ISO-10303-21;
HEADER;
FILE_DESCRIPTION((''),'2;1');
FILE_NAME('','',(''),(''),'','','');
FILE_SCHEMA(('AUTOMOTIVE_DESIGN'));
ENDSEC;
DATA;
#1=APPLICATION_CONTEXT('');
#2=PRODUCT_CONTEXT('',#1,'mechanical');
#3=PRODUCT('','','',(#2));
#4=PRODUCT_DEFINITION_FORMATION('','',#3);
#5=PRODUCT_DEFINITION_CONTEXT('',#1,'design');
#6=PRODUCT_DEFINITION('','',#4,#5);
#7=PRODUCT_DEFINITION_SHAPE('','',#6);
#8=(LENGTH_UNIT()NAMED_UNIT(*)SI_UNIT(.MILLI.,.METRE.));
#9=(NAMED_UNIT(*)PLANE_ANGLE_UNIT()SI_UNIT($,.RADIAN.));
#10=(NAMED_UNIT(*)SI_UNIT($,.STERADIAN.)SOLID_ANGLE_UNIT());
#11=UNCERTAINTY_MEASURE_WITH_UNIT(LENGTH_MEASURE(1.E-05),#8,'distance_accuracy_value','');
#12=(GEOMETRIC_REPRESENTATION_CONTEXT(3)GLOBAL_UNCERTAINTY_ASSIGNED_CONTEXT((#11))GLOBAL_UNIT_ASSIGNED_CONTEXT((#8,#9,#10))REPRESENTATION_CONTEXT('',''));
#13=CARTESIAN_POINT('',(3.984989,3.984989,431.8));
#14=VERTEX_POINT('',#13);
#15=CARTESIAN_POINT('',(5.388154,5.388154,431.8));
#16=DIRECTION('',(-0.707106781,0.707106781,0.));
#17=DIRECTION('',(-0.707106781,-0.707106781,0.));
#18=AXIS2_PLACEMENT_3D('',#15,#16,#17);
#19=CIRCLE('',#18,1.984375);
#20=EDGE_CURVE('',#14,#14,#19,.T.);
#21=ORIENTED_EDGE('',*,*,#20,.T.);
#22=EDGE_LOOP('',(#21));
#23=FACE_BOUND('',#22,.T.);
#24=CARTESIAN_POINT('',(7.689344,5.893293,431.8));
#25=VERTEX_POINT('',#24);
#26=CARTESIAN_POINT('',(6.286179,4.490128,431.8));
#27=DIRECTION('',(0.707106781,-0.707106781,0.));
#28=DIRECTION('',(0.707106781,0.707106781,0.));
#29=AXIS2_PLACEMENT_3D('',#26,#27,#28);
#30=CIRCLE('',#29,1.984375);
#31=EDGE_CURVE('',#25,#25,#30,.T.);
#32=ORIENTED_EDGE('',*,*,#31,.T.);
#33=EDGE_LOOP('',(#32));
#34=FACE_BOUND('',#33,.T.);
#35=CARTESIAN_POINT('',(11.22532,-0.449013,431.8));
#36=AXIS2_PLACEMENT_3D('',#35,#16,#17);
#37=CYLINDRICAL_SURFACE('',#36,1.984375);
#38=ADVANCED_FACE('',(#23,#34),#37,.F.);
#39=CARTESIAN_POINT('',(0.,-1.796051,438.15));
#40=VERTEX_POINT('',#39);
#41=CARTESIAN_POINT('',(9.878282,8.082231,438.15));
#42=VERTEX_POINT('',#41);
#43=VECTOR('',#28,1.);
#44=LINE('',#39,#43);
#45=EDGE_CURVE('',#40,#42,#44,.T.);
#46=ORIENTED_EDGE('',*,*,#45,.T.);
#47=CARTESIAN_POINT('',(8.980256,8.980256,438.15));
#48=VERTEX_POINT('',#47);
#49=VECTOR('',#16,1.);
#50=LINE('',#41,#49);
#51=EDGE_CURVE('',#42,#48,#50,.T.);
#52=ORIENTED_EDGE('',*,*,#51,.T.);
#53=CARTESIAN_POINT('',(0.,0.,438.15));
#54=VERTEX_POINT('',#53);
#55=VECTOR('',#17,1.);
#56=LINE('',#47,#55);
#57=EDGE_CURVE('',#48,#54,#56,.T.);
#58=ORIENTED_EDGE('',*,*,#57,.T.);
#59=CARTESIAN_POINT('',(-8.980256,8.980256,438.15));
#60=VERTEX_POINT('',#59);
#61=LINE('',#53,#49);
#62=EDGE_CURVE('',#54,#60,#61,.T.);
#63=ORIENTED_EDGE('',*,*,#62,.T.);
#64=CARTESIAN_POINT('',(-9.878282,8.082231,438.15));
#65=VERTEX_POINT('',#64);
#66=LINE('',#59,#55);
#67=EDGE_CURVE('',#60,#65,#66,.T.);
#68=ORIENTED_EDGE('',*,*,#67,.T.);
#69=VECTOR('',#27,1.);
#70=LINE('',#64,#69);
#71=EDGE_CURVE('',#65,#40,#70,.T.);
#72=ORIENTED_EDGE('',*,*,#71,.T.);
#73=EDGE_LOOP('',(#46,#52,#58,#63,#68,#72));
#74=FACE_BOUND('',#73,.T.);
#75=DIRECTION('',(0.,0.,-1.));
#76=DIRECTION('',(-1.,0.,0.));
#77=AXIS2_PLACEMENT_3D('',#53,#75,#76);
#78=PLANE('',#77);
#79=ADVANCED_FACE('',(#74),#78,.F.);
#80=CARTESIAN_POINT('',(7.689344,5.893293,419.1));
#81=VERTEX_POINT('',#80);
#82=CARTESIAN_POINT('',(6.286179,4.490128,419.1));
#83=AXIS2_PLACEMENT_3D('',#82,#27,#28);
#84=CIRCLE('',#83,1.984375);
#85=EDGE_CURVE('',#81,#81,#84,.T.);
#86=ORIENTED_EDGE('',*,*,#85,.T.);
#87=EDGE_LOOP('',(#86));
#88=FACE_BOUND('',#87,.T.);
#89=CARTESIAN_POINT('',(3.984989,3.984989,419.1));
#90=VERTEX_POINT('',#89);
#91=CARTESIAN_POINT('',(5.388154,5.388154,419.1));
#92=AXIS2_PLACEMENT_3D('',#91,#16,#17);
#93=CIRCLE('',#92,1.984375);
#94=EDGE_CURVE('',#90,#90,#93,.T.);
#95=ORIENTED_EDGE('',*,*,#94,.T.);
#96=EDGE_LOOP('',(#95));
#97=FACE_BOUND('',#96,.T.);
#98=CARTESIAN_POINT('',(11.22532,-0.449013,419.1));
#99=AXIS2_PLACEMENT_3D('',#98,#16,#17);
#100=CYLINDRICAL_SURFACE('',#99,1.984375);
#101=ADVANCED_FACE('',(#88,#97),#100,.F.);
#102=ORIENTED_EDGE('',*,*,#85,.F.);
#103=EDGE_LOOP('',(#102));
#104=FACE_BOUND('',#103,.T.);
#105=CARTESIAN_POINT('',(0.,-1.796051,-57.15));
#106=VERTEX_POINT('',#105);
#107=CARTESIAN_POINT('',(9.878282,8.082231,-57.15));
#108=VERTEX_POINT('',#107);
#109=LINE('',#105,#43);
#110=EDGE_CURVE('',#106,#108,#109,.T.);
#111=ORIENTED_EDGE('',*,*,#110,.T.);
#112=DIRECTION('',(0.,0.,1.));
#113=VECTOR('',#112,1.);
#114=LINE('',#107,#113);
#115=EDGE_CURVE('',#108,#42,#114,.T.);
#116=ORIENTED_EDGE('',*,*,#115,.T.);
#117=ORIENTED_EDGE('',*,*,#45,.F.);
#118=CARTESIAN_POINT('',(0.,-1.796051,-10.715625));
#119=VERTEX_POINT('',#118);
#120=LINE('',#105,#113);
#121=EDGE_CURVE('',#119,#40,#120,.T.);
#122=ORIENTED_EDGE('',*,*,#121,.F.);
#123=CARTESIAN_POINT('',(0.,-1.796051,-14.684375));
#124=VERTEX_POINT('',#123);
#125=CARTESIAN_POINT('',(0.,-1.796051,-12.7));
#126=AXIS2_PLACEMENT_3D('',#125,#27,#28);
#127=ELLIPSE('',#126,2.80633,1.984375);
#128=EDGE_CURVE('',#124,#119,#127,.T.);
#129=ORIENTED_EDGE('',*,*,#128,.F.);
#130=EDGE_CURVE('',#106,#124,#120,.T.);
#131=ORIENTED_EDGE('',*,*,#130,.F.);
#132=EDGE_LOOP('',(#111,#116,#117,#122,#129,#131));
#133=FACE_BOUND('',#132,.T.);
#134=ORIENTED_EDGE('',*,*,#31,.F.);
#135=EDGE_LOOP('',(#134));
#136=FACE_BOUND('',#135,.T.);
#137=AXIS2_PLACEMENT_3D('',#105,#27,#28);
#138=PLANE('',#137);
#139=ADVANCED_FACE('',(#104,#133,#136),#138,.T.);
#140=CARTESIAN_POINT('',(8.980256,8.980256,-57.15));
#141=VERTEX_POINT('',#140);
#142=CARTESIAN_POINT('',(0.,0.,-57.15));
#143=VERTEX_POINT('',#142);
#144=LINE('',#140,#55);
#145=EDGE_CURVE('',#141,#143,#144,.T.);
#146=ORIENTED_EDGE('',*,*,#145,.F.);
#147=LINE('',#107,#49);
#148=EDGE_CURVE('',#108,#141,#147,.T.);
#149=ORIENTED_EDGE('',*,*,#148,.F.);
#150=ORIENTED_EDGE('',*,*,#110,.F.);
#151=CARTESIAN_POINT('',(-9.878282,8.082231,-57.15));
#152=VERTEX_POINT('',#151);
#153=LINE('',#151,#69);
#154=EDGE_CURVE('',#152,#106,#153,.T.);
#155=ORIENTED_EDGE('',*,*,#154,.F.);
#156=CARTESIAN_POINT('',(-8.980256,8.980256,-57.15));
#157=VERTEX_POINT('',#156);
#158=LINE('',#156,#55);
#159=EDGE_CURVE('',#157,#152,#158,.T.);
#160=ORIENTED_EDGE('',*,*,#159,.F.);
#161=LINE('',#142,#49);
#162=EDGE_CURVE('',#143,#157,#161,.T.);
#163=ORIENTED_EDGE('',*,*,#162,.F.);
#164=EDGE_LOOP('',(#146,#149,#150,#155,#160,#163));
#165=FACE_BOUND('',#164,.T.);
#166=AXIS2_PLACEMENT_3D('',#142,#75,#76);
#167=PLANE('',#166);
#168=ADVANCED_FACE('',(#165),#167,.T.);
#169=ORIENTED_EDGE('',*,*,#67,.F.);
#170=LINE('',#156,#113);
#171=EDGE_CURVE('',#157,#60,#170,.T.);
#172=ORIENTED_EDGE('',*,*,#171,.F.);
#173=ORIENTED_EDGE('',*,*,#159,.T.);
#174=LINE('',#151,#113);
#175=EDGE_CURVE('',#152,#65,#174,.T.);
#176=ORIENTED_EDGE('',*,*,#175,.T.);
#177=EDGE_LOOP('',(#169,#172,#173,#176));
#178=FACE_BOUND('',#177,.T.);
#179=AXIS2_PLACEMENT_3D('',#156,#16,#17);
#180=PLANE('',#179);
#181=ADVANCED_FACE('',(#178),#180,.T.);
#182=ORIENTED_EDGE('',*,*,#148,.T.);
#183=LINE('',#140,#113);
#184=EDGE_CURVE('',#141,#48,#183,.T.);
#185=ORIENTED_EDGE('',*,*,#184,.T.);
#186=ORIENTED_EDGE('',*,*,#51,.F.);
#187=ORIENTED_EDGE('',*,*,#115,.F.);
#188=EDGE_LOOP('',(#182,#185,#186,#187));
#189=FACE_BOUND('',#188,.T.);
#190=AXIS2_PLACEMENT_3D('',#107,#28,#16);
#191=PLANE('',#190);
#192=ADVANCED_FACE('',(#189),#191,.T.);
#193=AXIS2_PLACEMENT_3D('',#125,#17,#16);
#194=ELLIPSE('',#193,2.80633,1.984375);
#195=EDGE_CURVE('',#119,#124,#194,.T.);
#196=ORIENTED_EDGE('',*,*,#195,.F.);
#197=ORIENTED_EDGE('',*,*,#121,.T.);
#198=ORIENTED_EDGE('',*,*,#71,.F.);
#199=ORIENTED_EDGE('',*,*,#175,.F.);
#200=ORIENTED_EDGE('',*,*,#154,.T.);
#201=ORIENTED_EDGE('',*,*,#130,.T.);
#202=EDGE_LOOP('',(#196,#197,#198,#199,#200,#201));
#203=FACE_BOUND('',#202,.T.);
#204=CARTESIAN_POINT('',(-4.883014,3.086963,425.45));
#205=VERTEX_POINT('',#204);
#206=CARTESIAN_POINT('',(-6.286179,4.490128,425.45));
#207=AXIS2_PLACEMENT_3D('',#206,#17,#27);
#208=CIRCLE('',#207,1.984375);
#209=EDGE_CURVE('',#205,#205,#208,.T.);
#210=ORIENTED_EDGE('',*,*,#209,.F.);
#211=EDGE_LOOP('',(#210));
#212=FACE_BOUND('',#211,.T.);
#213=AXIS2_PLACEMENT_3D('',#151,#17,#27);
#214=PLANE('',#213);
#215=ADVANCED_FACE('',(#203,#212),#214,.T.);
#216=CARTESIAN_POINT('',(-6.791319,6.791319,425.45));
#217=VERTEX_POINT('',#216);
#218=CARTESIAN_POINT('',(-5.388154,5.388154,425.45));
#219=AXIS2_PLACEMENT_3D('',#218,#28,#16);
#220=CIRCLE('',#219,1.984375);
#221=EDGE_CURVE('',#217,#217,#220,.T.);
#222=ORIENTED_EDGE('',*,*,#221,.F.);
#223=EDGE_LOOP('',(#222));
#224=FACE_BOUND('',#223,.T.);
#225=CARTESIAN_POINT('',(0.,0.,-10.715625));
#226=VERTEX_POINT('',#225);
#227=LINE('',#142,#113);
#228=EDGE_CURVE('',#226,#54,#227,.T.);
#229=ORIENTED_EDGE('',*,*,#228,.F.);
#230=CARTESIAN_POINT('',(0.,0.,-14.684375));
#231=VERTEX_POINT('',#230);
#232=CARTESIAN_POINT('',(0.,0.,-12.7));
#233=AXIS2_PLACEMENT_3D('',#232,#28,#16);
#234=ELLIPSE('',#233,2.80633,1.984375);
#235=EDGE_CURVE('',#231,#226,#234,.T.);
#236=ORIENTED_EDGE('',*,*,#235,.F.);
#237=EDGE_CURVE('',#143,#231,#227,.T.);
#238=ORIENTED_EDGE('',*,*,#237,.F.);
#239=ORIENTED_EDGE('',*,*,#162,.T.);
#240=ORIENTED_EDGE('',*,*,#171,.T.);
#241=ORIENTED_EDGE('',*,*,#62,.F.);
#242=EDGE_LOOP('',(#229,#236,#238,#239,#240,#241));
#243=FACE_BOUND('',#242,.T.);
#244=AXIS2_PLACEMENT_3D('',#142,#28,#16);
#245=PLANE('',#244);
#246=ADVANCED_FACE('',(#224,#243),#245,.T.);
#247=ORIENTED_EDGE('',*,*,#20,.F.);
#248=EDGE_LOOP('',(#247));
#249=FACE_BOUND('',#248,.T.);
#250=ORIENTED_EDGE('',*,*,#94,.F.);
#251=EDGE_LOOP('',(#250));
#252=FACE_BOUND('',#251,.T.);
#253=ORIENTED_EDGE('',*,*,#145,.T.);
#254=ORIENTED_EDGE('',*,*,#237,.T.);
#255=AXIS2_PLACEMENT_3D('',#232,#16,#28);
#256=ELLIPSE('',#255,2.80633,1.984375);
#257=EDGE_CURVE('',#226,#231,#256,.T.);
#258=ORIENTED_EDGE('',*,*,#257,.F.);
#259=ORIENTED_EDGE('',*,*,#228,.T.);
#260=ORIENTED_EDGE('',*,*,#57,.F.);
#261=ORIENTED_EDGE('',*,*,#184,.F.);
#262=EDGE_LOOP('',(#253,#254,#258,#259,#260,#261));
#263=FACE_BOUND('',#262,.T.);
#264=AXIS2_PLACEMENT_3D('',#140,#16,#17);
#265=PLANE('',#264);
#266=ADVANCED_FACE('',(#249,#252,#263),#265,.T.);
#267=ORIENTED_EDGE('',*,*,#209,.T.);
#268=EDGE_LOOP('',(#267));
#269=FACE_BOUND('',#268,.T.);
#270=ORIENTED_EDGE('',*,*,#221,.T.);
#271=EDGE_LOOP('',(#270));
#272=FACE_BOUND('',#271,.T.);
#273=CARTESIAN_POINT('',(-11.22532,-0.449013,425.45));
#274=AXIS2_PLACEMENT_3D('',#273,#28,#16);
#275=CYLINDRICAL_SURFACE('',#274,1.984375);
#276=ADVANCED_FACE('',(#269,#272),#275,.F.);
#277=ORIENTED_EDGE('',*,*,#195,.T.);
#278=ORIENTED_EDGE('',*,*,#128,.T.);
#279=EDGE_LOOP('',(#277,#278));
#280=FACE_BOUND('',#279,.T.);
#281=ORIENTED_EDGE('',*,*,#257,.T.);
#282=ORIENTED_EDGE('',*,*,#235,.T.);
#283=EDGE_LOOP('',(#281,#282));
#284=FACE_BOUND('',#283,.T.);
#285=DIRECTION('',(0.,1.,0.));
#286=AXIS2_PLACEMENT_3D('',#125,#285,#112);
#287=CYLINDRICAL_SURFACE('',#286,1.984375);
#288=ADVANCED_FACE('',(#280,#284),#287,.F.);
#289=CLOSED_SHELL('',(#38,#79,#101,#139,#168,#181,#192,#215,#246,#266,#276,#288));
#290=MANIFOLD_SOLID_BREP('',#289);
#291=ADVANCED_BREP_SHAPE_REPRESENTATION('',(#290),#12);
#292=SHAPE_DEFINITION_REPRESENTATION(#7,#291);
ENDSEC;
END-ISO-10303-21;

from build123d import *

# Parameters (mm, degrees)
BOSS_EXTRUDE1_DEPTH      = 438.15
BOSS_EXTRUDE1_DEPTH_BACK = 57.15
SKETCH2_R                = 1.984375
CUT_EXTRUDE1_DEPTH       = 439.353336876
SKETCH3_R                = 1.984375
CUT_EXTRUDE2_DEPTH       = 439.353336876
CUT_EXTRUDE3_DEPTH       = 439.353336876
CUT_EXTRUDE3_DEPTH_BACK  = 439.353336876
SKETCH4_R                = 1.984375


with BuildPart() as part:
    # Sketch1 → Boss-Extrude1 (new, two sides: drawn at the far end of the back side and taken through both)
    with BuildSketch(Plane.XY.offset(-BOSS_EXTRUDE1_DEPTH_BACK)):
        Polygon((0, 0), (-8.980256121, 8.980256121), (-9.878281733, 8.082230509), (0, -1.796051224), (9.878281733, 8.082230509), (8.980256121, 8.980256121), align=None)
    extrude(amount=BOSS_EXTRUDE1_DEPTH + BOSS_EXTRUDE1_DEPTH_BACK)

    # Sketch2 → Cut-Extrude1 (cut, through all)
    with BuildSketch(Plane(origin=(0, 0, 0), x_dir=(0, 0, 1), z_dir=(-0.7071067811865469, 0.7071067811865481, 0))):
        with Locations(Location((431.8, 7.62, 0), (0, 0, 270))):
            Circle(SKETCH2_R)
        with Locations(Location((419.1, 7.62, 0), (0, 0, 270))):
            Circle(SKETCH2_R)
    extrude(amount=-CUT_EXTRUDE1_DEPTH, mode=Mode.SUBTRACT)

    # Sketch3 → Cut-Extrude2 (cut, through all)
    with BuildSketch(Plane(origin=(0, 0, 0), x_dir=(0, 0, -1), z_dir=(0.7071067811865483, 0.7071067811865468, 0))):
        with Locations(Location((-425.45, 7.62, 0), (0, 0, 90))):
            Circle(SKETCH3_R)
    extrude(amount=-CUT_EXTRUDE2_DEPTH, mode=Mode.SUBTRACT)

    # Sketch4 → Cut-Extrude3 (cut, two sides: drawn at the far end of the back side and taken through both)
    with BuildSketch(Plane(origin=(0, 0, 0), x_dir=(1, 0, 0), z_dir=(0, 1, 0)).offset(-CUT_EXTRUDE3_DEPTH_BACK)):
        with Locations(Location((0, 12.7, 0), (0, 0, 270))):
            Circle(SKETCH4_R)
    extrude(amount=CUT_EXTRUDE3_DEPTH + CUT_EXTRUDE3_DEPTH_BACK, mode=Mode.SUBTRACT)


solid = part.part
